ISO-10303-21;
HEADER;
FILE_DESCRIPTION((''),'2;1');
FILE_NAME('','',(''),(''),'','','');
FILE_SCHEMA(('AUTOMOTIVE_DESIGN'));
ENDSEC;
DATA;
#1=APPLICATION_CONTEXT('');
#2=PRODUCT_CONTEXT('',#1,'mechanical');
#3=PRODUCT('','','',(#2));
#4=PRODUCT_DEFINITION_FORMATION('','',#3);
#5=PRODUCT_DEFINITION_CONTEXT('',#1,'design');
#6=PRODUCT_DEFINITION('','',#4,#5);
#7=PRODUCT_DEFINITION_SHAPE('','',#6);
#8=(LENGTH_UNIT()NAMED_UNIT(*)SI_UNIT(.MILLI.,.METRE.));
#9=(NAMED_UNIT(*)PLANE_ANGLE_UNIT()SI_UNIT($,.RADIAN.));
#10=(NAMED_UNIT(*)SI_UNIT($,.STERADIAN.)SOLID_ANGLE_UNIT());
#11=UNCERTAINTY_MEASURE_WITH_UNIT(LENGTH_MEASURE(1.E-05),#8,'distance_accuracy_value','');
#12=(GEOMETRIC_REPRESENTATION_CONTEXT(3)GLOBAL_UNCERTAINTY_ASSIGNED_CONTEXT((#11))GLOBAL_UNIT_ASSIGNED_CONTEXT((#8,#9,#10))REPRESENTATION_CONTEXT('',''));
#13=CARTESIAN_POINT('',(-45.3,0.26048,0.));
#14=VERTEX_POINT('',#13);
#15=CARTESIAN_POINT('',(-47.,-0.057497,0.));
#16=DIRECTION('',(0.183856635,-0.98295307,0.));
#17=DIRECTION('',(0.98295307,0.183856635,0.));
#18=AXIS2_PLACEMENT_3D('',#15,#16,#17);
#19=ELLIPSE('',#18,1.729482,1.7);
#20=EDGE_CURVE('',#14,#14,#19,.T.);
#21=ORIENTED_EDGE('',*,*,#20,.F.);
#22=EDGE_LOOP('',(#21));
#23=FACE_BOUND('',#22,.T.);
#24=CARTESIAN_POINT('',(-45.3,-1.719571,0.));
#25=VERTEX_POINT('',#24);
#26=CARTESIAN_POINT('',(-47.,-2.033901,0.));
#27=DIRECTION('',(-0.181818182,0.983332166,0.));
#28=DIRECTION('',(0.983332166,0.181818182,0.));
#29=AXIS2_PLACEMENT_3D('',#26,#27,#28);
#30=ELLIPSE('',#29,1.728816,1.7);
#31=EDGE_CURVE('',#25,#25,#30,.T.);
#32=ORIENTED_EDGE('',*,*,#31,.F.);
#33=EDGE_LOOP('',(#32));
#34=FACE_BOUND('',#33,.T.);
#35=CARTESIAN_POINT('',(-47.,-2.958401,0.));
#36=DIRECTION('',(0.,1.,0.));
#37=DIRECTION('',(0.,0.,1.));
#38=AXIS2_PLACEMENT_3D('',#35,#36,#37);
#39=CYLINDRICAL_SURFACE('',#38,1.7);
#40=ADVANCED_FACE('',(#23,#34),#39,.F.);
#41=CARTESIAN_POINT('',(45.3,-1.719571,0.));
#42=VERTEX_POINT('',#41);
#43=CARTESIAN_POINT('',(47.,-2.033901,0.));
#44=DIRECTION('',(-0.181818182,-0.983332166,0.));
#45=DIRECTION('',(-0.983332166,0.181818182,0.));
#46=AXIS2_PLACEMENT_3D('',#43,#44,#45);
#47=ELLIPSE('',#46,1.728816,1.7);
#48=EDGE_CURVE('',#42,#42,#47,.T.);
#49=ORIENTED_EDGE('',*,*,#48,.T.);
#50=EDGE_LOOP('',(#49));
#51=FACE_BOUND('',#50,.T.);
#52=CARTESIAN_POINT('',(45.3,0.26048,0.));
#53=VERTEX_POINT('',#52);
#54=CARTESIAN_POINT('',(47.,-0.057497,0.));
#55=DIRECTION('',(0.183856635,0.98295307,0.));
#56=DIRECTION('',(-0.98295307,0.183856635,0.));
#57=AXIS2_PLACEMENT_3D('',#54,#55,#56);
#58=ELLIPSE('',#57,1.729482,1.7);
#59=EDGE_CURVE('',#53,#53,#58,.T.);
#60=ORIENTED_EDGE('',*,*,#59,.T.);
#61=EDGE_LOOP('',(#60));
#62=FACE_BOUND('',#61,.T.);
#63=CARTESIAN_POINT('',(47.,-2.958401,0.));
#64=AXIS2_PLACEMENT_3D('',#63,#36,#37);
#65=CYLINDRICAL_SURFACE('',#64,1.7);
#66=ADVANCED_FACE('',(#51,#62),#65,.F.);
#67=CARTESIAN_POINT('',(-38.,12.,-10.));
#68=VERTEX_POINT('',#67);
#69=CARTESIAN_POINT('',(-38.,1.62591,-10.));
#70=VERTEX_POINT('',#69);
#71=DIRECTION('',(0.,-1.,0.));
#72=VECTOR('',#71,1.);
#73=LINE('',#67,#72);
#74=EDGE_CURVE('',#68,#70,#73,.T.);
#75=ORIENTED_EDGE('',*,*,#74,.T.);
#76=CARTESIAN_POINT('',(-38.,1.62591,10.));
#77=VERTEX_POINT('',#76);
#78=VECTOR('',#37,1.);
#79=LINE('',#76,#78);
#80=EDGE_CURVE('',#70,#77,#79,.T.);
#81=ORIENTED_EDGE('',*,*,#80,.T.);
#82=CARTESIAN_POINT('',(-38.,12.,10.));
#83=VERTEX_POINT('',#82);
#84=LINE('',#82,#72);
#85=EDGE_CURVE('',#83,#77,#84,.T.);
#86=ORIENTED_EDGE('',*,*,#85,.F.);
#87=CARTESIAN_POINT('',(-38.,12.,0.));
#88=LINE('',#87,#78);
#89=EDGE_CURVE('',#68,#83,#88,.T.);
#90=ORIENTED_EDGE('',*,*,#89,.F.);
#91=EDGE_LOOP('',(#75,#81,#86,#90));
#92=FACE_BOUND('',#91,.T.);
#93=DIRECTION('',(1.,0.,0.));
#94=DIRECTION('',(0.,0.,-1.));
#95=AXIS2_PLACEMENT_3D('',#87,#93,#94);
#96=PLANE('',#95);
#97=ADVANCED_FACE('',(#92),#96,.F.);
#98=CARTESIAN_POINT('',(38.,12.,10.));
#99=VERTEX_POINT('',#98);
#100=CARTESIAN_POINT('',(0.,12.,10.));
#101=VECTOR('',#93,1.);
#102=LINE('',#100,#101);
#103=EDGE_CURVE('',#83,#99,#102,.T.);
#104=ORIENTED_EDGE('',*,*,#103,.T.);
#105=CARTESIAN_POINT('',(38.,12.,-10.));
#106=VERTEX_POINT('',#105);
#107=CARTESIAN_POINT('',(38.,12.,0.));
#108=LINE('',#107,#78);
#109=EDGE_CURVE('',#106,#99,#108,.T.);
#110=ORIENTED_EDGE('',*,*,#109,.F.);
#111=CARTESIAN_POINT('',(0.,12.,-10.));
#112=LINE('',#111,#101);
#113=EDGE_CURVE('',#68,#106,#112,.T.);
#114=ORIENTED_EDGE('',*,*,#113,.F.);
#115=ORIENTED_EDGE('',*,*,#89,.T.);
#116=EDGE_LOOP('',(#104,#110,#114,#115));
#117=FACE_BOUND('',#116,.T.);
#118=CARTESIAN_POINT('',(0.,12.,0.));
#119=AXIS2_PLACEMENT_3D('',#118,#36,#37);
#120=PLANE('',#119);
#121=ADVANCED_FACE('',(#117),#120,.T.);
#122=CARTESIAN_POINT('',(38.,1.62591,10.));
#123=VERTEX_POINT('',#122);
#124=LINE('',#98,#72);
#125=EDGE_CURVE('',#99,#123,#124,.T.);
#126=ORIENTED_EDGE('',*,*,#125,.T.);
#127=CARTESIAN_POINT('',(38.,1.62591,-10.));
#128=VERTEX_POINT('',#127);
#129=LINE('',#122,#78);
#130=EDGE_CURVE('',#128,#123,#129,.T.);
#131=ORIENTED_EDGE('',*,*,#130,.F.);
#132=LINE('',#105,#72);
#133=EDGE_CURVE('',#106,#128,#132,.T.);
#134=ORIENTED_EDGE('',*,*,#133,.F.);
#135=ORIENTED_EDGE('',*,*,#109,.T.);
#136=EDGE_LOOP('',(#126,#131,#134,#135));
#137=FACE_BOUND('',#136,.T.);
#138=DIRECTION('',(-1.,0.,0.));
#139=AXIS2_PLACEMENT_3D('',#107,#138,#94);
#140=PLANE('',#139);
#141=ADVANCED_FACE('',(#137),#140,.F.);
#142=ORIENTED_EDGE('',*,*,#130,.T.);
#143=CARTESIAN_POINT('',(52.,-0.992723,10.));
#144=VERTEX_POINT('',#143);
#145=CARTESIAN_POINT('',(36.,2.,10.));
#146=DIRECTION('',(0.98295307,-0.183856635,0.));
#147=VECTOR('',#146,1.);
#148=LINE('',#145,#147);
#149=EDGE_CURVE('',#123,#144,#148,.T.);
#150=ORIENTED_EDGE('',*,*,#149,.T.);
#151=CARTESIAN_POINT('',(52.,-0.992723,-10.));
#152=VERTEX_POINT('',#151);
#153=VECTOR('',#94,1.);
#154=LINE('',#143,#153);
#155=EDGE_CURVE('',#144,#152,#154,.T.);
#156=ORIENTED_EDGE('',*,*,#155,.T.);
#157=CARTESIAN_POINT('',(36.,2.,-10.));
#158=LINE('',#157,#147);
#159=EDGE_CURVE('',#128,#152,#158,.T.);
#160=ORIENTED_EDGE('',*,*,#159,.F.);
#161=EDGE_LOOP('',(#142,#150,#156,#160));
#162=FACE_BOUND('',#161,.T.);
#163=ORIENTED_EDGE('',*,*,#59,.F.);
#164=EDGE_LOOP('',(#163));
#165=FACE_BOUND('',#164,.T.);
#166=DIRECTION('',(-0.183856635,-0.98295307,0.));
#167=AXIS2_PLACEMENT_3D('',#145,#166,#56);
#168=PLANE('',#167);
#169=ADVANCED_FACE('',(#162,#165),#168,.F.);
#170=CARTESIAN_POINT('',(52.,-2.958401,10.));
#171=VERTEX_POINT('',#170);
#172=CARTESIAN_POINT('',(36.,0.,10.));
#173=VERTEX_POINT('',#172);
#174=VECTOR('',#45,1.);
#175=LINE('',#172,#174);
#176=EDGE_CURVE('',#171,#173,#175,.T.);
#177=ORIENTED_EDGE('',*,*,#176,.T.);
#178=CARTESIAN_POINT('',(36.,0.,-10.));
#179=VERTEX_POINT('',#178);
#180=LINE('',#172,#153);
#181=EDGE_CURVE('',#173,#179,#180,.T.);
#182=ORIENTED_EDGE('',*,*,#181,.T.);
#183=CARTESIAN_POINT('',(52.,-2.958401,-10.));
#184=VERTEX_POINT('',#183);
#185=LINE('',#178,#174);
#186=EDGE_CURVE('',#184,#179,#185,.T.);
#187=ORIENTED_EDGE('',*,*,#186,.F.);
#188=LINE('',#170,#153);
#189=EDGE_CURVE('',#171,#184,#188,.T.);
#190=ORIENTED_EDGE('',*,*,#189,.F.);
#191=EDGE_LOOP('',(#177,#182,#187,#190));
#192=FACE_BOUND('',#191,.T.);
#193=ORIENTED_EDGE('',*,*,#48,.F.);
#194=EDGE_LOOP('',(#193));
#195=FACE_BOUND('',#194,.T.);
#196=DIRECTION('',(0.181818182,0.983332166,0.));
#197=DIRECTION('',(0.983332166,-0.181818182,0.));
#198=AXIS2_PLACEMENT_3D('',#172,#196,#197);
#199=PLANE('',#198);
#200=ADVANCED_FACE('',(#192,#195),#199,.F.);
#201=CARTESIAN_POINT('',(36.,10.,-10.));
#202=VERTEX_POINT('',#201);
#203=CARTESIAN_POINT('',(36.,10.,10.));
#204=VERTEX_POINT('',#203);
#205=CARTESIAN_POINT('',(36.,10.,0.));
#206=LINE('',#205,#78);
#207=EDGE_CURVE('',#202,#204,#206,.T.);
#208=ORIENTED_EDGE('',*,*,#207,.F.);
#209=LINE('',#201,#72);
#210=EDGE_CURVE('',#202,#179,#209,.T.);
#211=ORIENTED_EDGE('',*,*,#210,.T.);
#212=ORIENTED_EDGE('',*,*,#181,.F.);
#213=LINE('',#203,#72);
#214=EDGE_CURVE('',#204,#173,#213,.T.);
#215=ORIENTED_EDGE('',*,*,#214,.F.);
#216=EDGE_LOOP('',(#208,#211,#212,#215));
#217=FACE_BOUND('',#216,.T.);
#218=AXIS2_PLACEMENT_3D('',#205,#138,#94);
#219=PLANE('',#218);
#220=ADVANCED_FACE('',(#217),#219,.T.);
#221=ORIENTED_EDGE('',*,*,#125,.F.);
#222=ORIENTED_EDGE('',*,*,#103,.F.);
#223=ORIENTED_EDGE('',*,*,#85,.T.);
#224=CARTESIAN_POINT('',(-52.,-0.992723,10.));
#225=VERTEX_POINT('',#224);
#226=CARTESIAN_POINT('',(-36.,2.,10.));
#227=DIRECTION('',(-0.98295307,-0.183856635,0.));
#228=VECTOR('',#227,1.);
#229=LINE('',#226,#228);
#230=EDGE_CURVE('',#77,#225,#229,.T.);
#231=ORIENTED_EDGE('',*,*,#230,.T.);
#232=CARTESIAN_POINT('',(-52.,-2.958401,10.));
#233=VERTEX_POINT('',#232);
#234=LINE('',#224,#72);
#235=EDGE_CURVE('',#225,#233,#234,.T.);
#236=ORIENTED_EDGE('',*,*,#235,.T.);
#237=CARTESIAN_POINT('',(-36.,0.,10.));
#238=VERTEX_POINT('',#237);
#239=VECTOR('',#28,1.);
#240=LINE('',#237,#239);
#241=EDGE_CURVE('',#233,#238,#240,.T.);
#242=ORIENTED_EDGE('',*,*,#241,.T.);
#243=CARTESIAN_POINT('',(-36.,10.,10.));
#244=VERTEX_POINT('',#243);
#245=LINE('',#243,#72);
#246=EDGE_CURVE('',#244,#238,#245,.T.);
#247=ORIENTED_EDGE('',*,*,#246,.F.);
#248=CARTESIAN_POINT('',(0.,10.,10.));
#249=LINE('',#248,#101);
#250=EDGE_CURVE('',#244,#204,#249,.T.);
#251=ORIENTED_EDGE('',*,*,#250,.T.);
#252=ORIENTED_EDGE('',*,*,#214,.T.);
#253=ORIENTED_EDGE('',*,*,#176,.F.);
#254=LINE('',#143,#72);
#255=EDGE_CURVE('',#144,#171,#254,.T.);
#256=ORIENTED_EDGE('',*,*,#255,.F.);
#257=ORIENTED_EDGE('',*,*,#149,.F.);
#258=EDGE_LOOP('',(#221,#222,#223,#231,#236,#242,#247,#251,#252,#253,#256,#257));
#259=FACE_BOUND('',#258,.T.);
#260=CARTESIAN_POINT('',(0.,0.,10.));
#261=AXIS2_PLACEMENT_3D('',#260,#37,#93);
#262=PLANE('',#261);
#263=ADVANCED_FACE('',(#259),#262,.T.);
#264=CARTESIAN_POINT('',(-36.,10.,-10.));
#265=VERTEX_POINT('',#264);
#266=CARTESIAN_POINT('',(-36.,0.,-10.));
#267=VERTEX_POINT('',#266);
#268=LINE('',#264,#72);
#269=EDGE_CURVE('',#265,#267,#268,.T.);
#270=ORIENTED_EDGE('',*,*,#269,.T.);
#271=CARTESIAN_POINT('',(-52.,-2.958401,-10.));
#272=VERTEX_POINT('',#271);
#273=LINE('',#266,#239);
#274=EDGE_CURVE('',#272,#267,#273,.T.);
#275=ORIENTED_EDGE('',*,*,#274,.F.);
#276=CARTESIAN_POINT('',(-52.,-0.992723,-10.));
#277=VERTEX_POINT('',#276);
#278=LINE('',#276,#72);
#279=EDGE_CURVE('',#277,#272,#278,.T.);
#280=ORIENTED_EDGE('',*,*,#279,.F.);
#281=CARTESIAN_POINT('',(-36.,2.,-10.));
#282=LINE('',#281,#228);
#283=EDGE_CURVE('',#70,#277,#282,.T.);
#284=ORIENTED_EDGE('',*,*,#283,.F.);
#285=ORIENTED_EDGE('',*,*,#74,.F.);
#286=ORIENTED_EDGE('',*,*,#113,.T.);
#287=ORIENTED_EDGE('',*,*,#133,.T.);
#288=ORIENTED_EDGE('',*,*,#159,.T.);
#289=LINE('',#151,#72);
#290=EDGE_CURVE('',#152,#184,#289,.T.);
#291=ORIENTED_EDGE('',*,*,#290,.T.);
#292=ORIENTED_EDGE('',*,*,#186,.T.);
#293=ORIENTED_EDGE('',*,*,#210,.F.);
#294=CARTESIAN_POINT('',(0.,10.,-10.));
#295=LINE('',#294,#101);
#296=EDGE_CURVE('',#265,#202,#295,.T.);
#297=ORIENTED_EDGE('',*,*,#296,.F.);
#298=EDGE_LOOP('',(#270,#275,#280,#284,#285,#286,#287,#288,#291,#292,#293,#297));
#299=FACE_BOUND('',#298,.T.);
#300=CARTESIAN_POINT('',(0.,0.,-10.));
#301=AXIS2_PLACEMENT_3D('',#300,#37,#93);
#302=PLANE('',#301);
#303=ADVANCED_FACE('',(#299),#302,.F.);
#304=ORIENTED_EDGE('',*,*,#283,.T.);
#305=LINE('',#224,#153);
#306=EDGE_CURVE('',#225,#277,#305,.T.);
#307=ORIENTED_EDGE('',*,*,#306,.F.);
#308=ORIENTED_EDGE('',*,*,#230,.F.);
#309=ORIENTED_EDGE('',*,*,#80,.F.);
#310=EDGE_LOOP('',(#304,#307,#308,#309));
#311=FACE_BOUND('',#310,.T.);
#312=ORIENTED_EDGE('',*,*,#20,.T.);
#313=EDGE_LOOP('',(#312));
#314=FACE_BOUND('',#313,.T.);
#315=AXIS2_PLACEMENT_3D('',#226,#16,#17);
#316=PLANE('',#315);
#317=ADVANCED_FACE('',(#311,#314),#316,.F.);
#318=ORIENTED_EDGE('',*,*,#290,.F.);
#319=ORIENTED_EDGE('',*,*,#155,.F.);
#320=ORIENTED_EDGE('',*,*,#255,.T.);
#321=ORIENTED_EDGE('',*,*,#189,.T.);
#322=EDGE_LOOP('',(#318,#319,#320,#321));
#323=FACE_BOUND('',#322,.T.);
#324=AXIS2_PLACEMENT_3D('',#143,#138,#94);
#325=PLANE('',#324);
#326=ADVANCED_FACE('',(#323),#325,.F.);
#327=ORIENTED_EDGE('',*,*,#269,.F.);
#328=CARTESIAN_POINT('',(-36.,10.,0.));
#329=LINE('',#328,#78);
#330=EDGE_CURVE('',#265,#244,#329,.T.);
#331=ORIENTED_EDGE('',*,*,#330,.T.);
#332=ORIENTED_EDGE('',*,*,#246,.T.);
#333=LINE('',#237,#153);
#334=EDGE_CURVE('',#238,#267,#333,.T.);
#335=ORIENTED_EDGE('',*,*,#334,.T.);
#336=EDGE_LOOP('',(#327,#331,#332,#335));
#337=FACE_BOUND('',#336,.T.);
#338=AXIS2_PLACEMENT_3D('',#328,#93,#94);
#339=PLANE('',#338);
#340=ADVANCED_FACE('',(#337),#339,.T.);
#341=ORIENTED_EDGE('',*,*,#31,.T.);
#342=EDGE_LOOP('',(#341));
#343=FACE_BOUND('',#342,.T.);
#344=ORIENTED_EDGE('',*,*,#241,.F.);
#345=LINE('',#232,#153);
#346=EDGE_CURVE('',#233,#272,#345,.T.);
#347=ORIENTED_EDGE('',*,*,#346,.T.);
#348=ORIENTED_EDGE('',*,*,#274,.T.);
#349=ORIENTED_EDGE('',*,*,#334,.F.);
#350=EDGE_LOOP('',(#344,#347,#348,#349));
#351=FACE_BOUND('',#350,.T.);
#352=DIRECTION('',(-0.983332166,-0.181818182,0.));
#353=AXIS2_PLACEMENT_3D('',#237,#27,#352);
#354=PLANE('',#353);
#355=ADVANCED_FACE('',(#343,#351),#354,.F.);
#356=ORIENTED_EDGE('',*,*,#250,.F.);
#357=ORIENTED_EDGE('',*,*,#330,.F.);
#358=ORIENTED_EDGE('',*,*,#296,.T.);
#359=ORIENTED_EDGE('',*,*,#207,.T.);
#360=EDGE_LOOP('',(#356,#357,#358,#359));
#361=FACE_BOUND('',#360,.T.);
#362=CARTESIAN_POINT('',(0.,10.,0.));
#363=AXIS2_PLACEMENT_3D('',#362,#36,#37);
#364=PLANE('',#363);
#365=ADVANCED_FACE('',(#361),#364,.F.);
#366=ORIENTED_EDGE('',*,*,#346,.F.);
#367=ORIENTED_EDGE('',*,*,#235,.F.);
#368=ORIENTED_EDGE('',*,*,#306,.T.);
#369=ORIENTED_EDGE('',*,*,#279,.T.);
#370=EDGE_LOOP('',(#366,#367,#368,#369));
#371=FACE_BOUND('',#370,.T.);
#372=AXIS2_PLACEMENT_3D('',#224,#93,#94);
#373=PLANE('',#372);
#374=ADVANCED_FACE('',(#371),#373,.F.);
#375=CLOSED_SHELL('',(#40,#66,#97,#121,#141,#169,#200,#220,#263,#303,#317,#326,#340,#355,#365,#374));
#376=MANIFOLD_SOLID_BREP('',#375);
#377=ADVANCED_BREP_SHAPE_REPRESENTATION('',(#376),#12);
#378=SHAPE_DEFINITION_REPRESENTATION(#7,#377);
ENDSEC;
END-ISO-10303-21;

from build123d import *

# Parameters (mm, degrees)
BOSS_EXTRU_5_DEPTH      = 10
ESQUISSE1_W             = 38
ESQUISSE1_H             = 20
BOSS_EXTRU_6_DEPTH      = 12
ESQUISSE1_9_W           = 36
ESQUISSE1_9_H           = 20
ENL_V_MAT_EXTRU_4_DEPTH = 10
ESQUISSE1_10_R          = 1.7
ENL_V_MAT_EXTRU_5_DEPTH = 55.295487842


with BuildPart() as part:
    # Esquisse3 → Boss.-Extru.5 (new, symmetric)
    with BuildSketch(Plane.XY):
        Polygon((-36, 0), (-52, -2.958401047), (-52, -0.992722896), (-36, 2), align=None)
    boss_extru_5 = extrude(amount=BOSS_EXTRU_5_DEPTH, both=True)

    # Esquisse1 → Boss.-Extru.6 (add)
    with BuildSketch(Plane(origin=(0, 0, 0), x_dir=(1, 0, 0), z_dir=(0, 1, 0))):
        with Locations((-19, 0)):
            Rectangle(ESQUISSE1_W, ESQUISSE1_H)
    boss_extru_6 = extrude(amount=BOSS_EXTRU_6_DEPTH)

    # Esquisse1<9> → Enlèv. mat.-Extru.4 (cut)
    with BuildSketch(Plane(origin=(0, 0, 0), x_dir=(1, 0, 0), z_dir=(0, 1, 0))):
        with Locations((-18, 0)):
            Rectangle(ESQUISSE1_9_W, ESQUISSE1_9_H)
    enl_v_mat_extru_4 = extrude(amount=ENL_V_MAT_EXTRU_4_DEPTH, mode=Mode.SUBTRACT)

    # Esquisse1<10> → Enlèv. mat.-Extru.5 (cut, symmetric)
    with BuildSketch(Plane(origin=(0, 0, 0), x_dir=(1, 0, 0), z_dir=(0, 1, 0))):
        with Locations((-47, 0)):
            Circle(ESQUISSE1_10_R)
    enl_v_mat_extru_5 = extrude(amount=ENL_V_MAT_EXTRU_5_DEPTH, both=True, mode=Mode.SUBTRACT)

    # Symétrie4: Boss.-Extru.5, Boss.-Extru.6, Enlèv. mat.-Extru.4, Enlèv. mat.-Extru.5 across plane
    add(boss_extru_5.mirror(Plane(origin=(0, 0, 0), x_dir=(0, 0, 1), z_dir=(1, 0, 0))))
    add(boss_extru_6.mirror(Plane(origin=(0, 0, 0), x_dir=(0, 0, 1), z_dir=(1, 0, 0))))
    add(enl_v_mat_extru_4.mirror(Plane(origin=(0, 0, 0), x_dir=(0, 0, 1), z_dir=(1, 0, 0))), mode=Mode.SUBTRACT)
    add(enl_v_mat_extru_5.mirror(Plane(origin=(0, 0, 0), x_dir=(0, 0, 1), z_dir=(1, 0, 0))), mode=Mode.SUBTRACT)


solid = part.part
